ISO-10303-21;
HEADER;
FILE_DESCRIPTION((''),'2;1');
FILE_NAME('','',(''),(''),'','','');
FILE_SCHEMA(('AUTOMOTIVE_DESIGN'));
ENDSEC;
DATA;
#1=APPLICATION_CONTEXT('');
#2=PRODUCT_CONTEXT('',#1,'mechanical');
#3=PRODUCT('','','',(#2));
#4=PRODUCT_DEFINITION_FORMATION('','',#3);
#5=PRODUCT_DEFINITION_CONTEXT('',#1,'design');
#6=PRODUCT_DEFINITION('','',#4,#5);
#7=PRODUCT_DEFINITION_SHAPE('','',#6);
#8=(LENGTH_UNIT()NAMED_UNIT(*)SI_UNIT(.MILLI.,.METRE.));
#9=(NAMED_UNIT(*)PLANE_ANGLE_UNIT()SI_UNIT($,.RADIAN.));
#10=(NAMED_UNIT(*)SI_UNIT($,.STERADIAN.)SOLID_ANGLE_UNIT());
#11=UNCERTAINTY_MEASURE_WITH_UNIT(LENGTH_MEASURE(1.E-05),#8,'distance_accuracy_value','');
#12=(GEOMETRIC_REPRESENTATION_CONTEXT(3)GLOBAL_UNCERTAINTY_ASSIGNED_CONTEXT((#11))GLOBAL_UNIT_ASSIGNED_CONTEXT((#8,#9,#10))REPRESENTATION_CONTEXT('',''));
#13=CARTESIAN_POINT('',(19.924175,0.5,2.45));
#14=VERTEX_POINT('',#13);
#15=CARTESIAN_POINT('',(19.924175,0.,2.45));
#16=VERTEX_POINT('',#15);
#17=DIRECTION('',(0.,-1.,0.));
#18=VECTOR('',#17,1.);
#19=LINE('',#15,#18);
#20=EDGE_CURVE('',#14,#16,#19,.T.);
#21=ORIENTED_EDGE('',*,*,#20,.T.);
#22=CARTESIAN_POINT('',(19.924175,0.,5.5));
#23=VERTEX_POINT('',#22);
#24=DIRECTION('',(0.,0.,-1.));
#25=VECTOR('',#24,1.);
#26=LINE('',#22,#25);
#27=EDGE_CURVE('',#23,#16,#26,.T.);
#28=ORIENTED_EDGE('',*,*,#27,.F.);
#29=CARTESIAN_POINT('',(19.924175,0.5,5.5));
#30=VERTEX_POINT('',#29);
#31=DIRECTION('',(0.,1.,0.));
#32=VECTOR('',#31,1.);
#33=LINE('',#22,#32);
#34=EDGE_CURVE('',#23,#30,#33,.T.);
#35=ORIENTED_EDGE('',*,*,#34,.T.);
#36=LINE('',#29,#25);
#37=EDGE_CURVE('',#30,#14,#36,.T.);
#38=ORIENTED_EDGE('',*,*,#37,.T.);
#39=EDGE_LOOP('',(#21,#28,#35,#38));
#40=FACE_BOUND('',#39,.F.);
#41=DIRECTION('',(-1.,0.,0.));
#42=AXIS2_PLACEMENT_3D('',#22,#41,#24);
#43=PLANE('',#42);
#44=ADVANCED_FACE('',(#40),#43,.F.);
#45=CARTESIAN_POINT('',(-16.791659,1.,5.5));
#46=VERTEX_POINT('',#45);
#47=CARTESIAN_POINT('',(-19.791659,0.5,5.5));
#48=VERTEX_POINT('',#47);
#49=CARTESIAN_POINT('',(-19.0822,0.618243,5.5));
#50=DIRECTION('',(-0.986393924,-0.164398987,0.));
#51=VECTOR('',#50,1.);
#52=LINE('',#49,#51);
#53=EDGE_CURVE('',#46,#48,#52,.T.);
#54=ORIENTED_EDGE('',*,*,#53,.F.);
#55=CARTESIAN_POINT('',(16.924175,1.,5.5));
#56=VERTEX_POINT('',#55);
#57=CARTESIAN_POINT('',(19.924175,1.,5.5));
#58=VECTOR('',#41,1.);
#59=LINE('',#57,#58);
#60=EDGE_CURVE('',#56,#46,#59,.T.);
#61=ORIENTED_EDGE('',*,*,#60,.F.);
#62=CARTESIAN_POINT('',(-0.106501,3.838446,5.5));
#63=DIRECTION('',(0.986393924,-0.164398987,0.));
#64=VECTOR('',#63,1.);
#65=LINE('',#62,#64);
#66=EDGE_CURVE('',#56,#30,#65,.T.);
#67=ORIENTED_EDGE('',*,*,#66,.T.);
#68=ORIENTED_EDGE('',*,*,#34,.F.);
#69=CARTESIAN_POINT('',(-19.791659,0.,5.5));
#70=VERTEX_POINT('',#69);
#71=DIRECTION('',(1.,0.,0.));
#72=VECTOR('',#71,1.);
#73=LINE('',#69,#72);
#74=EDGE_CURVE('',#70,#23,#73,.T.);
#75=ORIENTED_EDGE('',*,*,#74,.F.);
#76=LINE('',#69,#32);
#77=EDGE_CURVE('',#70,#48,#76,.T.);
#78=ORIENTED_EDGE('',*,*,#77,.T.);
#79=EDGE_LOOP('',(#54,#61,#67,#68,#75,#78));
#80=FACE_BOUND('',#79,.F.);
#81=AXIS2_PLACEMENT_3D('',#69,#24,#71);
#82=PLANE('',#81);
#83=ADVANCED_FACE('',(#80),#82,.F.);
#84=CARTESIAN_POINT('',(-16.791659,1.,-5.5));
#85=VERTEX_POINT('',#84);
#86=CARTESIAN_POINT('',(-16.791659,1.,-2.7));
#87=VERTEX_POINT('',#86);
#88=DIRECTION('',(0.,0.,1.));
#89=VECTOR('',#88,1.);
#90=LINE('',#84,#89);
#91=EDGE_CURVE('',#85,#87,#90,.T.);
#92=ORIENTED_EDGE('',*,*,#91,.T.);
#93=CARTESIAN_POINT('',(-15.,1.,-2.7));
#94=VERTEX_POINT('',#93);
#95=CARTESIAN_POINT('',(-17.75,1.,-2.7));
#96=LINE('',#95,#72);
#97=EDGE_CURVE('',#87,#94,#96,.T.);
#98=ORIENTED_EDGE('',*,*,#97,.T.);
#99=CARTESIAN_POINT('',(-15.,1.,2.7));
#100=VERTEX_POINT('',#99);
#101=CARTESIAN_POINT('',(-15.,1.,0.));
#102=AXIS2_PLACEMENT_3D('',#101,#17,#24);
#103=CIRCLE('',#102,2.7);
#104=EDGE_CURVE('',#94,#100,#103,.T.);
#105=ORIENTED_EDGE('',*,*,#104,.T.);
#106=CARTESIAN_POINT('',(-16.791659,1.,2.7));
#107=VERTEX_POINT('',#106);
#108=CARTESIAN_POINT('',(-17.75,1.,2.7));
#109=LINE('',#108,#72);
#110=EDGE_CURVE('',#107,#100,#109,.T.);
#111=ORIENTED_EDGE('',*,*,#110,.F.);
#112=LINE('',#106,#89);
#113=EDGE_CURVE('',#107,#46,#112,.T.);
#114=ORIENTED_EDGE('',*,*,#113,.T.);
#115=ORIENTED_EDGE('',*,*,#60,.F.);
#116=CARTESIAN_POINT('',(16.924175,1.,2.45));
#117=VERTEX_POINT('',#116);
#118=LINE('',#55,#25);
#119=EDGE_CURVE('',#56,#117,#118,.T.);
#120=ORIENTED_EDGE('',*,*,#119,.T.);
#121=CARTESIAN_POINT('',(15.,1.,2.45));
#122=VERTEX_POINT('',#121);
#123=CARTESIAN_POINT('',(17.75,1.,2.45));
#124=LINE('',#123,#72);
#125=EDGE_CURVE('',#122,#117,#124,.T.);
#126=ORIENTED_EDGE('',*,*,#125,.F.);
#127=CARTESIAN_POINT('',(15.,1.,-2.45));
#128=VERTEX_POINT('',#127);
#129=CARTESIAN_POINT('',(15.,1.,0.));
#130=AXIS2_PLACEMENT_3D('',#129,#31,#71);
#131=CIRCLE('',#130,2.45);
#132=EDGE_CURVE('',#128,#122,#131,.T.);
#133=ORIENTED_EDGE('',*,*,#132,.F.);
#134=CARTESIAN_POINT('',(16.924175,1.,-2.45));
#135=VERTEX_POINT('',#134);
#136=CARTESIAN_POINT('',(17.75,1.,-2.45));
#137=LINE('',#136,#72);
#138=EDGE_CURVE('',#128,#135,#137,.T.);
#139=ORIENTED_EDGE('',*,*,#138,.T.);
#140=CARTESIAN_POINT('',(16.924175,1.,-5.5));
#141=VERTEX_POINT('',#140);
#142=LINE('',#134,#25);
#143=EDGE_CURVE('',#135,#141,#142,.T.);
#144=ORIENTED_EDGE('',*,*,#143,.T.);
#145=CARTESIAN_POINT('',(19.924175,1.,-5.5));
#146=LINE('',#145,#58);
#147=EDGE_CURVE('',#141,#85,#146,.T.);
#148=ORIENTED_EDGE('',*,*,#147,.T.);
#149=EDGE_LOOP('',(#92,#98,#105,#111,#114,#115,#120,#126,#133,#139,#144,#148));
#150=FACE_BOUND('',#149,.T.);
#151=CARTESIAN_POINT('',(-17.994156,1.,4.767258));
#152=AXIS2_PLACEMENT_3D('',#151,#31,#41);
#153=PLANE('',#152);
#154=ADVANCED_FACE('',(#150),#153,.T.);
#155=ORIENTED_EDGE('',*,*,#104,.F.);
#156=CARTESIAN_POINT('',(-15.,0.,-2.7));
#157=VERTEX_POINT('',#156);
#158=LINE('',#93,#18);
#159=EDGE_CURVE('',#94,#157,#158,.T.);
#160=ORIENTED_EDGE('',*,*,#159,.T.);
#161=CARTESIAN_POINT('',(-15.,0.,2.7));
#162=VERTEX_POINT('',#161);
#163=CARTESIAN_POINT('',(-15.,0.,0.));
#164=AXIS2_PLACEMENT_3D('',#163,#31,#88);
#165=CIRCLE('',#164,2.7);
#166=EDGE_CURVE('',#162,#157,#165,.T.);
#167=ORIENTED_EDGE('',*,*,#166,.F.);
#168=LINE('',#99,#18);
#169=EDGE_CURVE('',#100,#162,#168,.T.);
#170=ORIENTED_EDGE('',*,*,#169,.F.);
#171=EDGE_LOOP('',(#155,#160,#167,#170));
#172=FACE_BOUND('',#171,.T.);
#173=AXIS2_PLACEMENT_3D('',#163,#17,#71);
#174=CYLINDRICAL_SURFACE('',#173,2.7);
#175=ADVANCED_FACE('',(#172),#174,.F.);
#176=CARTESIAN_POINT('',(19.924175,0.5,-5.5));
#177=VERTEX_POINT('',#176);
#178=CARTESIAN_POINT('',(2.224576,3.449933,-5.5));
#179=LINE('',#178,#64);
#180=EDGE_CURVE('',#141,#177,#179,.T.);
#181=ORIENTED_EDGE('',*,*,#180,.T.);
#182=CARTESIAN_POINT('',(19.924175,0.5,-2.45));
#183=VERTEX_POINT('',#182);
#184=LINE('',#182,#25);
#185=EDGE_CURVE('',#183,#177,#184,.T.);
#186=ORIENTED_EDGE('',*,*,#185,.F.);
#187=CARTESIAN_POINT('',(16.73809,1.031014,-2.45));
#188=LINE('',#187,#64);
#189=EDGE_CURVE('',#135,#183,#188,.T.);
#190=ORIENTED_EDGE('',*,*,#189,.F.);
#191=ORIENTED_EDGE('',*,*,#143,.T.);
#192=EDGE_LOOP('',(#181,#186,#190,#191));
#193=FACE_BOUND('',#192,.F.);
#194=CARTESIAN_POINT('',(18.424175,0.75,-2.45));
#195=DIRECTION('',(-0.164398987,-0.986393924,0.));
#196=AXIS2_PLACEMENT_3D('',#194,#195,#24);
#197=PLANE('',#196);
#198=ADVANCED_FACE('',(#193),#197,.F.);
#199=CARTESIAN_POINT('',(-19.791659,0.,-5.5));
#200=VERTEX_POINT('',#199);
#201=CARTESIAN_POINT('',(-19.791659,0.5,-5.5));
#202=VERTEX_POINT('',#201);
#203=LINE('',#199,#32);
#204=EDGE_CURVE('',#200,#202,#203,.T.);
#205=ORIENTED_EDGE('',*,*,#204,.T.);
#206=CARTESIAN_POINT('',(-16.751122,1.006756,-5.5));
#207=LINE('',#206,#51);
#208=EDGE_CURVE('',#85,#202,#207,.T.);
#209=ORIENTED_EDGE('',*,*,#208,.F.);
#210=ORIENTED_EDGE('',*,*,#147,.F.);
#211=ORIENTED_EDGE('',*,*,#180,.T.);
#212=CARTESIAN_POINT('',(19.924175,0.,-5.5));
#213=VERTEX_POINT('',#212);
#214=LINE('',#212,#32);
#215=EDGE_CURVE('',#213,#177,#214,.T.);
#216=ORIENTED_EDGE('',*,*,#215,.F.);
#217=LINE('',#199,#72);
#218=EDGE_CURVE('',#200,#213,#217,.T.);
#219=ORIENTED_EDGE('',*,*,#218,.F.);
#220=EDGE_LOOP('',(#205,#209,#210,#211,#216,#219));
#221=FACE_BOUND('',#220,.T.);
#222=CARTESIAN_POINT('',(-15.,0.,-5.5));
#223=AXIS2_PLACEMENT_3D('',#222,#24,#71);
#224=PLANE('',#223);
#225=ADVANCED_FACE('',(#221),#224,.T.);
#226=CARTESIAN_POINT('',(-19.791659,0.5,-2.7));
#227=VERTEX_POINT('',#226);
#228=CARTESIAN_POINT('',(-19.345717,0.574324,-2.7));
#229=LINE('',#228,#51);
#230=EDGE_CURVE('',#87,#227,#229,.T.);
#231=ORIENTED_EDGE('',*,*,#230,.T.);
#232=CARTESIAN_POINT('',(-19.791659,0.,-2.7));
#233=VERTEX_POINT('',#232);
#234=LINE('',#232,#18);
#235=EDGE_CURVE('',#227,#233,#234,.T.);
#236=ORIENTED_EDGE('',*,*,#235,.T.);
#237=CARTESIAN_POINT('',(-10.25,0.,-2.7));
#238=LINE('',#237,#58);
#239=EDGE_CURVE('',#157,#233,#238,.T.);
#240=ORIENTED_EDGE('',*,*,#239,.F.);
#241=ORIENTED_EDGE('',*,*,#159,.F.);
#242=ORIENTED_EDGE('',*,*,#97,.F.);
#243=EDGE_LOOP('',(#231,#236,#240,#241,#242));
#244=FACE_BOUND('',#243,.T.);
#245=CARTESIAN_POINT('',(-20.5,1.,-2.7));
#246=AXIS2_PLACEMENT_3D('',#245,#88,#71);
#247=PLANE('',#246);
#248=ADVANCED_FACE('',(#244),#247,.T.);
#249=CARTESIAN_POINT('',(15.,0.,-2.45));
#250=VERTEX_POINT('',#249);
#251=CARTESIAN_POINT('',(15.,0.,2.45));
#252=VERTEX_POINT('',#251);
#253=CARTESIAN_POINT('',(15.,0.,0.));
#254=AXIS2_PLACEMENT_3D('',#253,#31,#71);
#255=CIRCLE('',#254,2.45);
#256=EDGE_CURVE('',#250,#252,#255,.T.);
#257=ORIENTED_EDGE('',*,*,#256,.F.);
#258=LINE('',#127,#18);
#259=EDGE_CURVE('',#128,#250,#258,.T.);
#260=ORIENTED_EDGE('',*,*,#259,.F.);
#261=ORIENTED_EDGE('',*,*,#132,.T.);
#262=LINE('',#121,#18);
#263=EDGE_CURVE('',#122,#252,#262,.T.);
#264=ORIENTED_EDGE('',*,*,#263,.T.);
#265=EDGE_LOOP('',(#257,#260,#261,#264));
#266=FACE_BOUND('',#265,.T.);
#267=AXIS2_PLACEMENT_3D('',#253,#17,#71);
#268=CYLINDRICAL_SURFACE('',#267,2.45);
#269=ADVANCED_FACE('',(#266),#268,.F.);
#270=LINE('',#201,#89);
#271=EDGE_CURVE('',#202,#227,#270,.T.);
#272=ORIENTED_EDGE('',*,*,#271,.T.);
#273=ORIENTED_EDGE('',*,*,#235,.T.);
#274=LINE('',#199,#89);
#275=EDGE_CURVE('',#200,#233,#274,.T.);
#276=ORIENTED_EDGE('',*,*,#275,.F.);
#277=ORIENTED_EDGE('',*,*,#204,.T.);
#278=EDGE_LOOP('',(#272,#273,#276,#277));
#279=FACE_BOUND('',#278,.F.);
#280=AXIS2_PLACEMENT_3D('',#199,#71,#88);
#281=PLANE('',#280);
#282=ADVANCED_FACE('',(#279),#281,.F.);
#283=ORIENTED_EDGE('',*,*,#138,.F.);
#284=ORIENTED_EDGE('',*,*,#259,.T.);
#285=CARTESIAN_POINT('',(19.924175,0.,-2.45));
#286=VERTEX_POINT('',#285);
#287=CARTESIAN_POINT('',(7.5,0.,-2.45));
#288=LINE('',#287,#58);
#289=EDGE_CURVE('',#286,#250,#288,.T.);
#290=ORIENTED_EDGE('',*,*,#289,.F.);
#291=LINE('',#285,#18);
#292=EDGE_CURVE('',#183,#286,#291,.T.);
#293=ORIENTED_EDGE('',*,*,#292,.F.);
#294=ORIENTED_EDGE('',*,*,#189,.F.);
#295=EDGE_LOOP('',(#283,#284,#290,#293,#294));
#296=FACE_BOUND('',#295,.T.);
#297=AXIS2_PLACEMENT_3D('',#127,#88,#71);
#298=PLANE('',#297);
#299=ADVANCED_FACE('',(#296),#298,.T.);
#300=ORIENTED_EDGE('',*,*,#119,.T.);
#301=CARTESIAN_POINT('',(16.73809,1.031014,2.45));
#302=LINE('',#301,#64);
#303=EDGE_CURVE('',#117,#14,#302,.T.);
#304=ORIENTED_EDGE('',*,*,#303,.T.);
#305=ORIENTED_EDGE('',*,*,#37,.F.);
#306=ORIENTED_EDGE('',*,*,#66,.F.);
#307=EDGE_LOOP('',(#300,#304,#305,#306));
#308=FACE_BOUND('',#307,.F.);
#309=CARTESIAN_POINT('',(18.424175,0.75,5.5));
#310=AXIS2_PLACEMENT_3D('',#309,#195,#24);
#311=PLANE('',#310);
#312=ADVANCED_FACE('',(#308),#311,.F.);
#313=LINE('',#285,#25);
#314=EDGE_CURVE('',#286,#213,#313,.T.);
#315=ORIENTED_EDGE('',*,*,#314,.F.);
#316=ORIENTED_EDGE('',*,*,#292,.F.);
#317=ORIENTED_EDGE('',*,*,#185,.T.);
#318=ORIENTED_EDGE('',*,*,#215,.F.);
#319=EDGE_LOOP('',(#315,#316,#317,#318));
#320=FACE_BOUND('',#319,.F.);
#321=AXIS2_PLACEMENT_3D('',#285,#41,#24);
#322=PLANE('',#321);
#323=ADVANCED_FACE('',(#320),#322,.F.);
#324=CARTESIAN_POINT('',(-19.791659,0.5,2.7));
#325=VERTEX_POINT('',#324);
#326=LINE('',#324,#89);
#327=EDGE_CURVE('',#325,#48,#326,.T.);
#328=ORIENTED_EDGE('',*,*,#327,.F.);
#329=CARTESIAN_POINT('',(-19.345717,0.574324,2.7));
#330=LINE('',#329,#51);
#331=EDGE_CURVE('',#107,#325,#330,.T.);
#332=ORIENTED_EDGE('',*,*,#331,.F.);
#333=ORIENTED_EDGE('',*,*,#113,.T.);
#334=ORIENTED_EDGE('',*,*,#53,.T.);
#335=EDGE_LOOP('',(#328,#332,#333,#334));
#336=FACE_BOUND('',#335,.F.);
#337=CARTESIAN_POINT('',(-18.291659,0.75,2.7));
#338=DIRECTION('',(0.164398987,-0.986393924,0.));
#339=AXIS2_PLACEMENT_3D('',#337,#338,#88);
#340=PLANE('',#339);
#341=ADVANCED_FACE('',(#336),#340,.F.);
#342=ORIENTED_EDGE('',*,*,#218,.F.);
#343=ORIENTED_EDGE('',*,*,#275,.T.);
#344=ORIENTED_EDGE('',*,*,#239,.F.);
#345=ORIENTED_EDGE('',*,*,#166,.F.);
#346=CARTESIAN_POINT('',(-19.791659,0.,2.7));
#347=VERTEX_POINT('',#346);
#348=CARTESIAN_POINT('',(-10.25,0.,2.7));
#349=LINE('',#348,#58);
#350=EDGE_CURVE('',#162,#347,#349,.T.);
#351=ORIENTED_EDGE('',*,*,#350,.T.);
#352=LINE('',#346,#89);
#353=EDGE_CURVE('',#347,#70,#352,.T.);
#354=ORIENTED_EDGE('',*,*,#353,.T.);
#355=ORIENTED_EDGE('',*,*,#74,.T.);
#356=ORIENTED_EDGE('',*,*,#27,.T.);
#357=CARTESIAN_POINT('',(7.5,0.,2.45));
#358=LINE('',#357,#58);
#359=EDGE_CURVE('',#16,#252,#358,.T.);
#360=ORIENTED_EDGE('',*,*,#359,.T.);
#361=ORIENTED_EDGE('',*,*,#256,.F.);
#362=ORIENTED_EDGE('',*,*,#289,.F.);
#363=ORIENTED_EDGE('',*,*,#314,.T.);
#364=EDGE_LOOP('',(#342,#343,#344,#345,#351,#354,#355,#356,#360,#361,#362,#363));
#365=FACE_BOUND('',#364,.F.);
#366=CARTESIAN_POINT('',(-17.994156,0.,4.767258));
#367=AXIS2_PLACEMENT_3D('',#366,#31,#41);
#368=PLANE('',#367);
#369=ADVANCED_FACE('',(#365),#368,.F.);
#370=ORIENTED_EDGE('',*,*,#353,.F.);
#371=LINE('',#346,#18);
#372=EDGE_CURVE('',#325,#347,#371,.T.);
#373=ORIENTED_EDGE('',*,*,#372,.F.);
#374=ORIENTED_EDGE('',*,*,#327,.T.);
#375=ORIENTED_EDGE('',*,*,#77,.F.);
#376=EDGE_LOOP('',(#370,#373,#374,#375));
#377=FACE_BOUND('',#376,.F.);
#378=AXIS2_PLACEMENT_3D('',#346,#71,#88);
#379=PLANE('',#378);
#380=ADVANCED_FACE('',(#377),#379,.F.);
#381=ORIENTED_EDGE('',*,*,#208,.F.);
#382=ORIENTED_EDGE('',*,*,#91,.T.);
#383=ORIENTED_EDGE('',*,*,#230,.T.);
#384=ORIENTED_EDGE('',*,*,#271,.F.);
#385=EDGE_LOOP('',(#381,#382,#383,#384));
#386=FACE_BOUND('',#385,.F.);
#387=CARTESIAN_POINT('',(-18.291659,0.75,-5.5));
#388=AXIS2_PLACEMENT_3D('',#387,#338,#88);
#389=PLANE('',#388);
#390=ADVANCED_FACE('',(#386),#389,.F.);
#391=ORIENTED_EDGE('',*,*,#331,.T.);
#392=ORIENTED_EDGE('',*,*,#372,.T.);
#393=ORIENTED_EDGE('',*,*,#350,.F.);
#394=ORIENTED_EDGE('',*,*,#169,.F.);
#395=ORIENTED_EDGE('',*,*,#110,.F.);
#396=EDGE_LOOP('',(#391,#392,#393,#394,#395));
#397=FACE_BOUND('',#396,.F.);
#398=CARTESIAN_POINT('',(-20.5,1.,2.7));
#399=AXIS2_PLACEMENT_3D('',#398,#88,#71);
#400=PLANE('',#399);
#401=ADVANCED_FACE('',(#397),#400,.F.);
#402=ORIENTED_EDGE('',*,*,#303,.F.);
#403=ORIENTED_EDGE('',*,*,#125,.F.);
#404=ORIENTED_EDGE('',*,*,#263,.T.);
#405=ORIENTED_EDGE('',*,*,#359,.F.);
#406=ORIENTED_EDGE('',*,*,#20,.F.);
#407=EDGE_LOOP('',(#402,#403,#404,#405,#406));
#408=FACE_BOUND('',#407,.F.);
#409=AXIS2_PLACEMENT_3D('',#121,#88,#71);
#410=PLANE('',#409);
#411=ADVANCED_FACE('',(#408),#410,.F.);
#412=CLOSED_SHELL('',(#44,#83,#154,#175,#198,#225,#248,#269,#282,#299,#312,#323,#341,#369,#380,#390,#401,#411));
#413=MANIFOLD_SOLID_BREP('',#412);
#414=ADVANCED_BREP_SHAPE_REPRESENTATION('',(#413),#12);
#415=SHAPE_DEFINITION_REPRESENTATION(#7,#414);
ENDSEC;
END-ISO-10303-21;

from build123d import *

# Parameters (mm, degrees)
SKETCH1_R           = 2.7
SKETCH1_R_2         = 2.45
BOSS_EXTRUDE1_DEPTH = 1
SKETCH2_W           = 5.5
SKETCH2_H           = 5.4
SKETCH2_H_2         = 4.9
CUT_EXTRUDE1_DEPTH  = 2
BOSS_EXTRUDE2_DEPTH = 1
CHAMFER1_SIZE       = 3
CHAMFER1_SIZE2      = 0.5


with BuildPart() as part:
    # Sketch1 → Boss-Extrude1 (new body)
    with BuildSketch(Plane(origin=(0, 0, 0), x_dir=(1, 0, 0), z_dir=(0, 1, 0))):
        with BuildLine():
            Line((-15, 5.5), (15, 5.5))
            ThreePointArc((15, 5.5), (20.5, 0), (15, -5.5))
            Line((15, -5.5), (-15, -5.5))
            ThreePointArc((-15, -5.5), (-20.5, 0), (-15, 5.5))
        make_face()
        with Locations((-15, 0)):
            Circle(SKETCH1_R, mode=Mode.SUBTRACT)
        with Locations((15, 0)):
            Circle(SKETCH1_R_2, mode=Mode.SUBTRACT)
    extrude(amount=BOSS_EXTRUDE1_DEPTH)

    # Sketch2 → Cut-Extrude1 (cut, through all)
    with BuildSketch(Plane(origin=(0, 1, 0), x_dir=(1, 0, 0), z_dir=(0, 1, 0))):
        with Locations((-17.75, 0)):
            Rectangle(SKETCH2_W, SKETCH2_H)
        with Locations((17.75, 0)):
            Rectangle(SKETCH2_W, SKETCH2_H_2)
    extrude(amount=-CUT_EXTRUDE1_DEPTH, mode=Mode.SUBTRACT)

    # Sketch3 → Boss-Extrude2 (add)
    with BuildSketch(Plane.XZ):
        with BuildLine():
            Line((-19.79165942, 2.7), (-19.79165942, 5.5))
            Line((-19.79165942, 5.5), (-15, 5.5))
            ThreePointArc((-15, 5.5), (-17.774887385, 4.748684028), (-19.79165942, 2.7))
        make_face()
        with BuildLine():
            Line((15, 5.5), (19.924175058, 5.5))
            Line((19.924175058, 5.5), (19.924175058, 2.45))
            ThreePointArc((19.924175058, 2.45), (17.896118092, 4.675735236), (15, 5.5))
        make_face()
        with BuildLine():
            Line((19.924175058, -2.45), (19.924175058, -5.5))
            Line((19.924175058, -5.5), (15, -5.5))
            ThreePointArc((15, -5.5), (17.896118092, -4.675735236), (19.924175058, -2.45))
        make_face()
        with BuildLine():
            Line((-15, -5.5), (-19.79165942, -5.5))
            Line((-19.79165942, -5.5), (-19.79165942, -2.7))
            ThreePointArc((-19.79165942, -2.7), (-17.774887385, -4.748684028), (-15, -5.5))
        make_face()
    extrude(amount=-BOSS_EXTRUDE2_DEPTH)

    # Chamfer1
    chamfer1_edges = [part.edges().sort_by_distance(p)[0] for p in [
        (19.924175058, 1, -3.975),
        (-19.79165942, 1, 4.1),
        (-19.79165942, 1, -4.1),
        (19.924175058, 1, 3.975),
    ]]
    chamfer1_side = [part.faces().sort_by_distance(p)[0] for p in [
        (0.231556515, 1, 0),
    ]]
    chamfer(chamfer1_edges, length=CHAMFER1_SIZE, length2=CHAMFER1_SIZE2, reference=chamfer1_side[0])


solid = part.part
